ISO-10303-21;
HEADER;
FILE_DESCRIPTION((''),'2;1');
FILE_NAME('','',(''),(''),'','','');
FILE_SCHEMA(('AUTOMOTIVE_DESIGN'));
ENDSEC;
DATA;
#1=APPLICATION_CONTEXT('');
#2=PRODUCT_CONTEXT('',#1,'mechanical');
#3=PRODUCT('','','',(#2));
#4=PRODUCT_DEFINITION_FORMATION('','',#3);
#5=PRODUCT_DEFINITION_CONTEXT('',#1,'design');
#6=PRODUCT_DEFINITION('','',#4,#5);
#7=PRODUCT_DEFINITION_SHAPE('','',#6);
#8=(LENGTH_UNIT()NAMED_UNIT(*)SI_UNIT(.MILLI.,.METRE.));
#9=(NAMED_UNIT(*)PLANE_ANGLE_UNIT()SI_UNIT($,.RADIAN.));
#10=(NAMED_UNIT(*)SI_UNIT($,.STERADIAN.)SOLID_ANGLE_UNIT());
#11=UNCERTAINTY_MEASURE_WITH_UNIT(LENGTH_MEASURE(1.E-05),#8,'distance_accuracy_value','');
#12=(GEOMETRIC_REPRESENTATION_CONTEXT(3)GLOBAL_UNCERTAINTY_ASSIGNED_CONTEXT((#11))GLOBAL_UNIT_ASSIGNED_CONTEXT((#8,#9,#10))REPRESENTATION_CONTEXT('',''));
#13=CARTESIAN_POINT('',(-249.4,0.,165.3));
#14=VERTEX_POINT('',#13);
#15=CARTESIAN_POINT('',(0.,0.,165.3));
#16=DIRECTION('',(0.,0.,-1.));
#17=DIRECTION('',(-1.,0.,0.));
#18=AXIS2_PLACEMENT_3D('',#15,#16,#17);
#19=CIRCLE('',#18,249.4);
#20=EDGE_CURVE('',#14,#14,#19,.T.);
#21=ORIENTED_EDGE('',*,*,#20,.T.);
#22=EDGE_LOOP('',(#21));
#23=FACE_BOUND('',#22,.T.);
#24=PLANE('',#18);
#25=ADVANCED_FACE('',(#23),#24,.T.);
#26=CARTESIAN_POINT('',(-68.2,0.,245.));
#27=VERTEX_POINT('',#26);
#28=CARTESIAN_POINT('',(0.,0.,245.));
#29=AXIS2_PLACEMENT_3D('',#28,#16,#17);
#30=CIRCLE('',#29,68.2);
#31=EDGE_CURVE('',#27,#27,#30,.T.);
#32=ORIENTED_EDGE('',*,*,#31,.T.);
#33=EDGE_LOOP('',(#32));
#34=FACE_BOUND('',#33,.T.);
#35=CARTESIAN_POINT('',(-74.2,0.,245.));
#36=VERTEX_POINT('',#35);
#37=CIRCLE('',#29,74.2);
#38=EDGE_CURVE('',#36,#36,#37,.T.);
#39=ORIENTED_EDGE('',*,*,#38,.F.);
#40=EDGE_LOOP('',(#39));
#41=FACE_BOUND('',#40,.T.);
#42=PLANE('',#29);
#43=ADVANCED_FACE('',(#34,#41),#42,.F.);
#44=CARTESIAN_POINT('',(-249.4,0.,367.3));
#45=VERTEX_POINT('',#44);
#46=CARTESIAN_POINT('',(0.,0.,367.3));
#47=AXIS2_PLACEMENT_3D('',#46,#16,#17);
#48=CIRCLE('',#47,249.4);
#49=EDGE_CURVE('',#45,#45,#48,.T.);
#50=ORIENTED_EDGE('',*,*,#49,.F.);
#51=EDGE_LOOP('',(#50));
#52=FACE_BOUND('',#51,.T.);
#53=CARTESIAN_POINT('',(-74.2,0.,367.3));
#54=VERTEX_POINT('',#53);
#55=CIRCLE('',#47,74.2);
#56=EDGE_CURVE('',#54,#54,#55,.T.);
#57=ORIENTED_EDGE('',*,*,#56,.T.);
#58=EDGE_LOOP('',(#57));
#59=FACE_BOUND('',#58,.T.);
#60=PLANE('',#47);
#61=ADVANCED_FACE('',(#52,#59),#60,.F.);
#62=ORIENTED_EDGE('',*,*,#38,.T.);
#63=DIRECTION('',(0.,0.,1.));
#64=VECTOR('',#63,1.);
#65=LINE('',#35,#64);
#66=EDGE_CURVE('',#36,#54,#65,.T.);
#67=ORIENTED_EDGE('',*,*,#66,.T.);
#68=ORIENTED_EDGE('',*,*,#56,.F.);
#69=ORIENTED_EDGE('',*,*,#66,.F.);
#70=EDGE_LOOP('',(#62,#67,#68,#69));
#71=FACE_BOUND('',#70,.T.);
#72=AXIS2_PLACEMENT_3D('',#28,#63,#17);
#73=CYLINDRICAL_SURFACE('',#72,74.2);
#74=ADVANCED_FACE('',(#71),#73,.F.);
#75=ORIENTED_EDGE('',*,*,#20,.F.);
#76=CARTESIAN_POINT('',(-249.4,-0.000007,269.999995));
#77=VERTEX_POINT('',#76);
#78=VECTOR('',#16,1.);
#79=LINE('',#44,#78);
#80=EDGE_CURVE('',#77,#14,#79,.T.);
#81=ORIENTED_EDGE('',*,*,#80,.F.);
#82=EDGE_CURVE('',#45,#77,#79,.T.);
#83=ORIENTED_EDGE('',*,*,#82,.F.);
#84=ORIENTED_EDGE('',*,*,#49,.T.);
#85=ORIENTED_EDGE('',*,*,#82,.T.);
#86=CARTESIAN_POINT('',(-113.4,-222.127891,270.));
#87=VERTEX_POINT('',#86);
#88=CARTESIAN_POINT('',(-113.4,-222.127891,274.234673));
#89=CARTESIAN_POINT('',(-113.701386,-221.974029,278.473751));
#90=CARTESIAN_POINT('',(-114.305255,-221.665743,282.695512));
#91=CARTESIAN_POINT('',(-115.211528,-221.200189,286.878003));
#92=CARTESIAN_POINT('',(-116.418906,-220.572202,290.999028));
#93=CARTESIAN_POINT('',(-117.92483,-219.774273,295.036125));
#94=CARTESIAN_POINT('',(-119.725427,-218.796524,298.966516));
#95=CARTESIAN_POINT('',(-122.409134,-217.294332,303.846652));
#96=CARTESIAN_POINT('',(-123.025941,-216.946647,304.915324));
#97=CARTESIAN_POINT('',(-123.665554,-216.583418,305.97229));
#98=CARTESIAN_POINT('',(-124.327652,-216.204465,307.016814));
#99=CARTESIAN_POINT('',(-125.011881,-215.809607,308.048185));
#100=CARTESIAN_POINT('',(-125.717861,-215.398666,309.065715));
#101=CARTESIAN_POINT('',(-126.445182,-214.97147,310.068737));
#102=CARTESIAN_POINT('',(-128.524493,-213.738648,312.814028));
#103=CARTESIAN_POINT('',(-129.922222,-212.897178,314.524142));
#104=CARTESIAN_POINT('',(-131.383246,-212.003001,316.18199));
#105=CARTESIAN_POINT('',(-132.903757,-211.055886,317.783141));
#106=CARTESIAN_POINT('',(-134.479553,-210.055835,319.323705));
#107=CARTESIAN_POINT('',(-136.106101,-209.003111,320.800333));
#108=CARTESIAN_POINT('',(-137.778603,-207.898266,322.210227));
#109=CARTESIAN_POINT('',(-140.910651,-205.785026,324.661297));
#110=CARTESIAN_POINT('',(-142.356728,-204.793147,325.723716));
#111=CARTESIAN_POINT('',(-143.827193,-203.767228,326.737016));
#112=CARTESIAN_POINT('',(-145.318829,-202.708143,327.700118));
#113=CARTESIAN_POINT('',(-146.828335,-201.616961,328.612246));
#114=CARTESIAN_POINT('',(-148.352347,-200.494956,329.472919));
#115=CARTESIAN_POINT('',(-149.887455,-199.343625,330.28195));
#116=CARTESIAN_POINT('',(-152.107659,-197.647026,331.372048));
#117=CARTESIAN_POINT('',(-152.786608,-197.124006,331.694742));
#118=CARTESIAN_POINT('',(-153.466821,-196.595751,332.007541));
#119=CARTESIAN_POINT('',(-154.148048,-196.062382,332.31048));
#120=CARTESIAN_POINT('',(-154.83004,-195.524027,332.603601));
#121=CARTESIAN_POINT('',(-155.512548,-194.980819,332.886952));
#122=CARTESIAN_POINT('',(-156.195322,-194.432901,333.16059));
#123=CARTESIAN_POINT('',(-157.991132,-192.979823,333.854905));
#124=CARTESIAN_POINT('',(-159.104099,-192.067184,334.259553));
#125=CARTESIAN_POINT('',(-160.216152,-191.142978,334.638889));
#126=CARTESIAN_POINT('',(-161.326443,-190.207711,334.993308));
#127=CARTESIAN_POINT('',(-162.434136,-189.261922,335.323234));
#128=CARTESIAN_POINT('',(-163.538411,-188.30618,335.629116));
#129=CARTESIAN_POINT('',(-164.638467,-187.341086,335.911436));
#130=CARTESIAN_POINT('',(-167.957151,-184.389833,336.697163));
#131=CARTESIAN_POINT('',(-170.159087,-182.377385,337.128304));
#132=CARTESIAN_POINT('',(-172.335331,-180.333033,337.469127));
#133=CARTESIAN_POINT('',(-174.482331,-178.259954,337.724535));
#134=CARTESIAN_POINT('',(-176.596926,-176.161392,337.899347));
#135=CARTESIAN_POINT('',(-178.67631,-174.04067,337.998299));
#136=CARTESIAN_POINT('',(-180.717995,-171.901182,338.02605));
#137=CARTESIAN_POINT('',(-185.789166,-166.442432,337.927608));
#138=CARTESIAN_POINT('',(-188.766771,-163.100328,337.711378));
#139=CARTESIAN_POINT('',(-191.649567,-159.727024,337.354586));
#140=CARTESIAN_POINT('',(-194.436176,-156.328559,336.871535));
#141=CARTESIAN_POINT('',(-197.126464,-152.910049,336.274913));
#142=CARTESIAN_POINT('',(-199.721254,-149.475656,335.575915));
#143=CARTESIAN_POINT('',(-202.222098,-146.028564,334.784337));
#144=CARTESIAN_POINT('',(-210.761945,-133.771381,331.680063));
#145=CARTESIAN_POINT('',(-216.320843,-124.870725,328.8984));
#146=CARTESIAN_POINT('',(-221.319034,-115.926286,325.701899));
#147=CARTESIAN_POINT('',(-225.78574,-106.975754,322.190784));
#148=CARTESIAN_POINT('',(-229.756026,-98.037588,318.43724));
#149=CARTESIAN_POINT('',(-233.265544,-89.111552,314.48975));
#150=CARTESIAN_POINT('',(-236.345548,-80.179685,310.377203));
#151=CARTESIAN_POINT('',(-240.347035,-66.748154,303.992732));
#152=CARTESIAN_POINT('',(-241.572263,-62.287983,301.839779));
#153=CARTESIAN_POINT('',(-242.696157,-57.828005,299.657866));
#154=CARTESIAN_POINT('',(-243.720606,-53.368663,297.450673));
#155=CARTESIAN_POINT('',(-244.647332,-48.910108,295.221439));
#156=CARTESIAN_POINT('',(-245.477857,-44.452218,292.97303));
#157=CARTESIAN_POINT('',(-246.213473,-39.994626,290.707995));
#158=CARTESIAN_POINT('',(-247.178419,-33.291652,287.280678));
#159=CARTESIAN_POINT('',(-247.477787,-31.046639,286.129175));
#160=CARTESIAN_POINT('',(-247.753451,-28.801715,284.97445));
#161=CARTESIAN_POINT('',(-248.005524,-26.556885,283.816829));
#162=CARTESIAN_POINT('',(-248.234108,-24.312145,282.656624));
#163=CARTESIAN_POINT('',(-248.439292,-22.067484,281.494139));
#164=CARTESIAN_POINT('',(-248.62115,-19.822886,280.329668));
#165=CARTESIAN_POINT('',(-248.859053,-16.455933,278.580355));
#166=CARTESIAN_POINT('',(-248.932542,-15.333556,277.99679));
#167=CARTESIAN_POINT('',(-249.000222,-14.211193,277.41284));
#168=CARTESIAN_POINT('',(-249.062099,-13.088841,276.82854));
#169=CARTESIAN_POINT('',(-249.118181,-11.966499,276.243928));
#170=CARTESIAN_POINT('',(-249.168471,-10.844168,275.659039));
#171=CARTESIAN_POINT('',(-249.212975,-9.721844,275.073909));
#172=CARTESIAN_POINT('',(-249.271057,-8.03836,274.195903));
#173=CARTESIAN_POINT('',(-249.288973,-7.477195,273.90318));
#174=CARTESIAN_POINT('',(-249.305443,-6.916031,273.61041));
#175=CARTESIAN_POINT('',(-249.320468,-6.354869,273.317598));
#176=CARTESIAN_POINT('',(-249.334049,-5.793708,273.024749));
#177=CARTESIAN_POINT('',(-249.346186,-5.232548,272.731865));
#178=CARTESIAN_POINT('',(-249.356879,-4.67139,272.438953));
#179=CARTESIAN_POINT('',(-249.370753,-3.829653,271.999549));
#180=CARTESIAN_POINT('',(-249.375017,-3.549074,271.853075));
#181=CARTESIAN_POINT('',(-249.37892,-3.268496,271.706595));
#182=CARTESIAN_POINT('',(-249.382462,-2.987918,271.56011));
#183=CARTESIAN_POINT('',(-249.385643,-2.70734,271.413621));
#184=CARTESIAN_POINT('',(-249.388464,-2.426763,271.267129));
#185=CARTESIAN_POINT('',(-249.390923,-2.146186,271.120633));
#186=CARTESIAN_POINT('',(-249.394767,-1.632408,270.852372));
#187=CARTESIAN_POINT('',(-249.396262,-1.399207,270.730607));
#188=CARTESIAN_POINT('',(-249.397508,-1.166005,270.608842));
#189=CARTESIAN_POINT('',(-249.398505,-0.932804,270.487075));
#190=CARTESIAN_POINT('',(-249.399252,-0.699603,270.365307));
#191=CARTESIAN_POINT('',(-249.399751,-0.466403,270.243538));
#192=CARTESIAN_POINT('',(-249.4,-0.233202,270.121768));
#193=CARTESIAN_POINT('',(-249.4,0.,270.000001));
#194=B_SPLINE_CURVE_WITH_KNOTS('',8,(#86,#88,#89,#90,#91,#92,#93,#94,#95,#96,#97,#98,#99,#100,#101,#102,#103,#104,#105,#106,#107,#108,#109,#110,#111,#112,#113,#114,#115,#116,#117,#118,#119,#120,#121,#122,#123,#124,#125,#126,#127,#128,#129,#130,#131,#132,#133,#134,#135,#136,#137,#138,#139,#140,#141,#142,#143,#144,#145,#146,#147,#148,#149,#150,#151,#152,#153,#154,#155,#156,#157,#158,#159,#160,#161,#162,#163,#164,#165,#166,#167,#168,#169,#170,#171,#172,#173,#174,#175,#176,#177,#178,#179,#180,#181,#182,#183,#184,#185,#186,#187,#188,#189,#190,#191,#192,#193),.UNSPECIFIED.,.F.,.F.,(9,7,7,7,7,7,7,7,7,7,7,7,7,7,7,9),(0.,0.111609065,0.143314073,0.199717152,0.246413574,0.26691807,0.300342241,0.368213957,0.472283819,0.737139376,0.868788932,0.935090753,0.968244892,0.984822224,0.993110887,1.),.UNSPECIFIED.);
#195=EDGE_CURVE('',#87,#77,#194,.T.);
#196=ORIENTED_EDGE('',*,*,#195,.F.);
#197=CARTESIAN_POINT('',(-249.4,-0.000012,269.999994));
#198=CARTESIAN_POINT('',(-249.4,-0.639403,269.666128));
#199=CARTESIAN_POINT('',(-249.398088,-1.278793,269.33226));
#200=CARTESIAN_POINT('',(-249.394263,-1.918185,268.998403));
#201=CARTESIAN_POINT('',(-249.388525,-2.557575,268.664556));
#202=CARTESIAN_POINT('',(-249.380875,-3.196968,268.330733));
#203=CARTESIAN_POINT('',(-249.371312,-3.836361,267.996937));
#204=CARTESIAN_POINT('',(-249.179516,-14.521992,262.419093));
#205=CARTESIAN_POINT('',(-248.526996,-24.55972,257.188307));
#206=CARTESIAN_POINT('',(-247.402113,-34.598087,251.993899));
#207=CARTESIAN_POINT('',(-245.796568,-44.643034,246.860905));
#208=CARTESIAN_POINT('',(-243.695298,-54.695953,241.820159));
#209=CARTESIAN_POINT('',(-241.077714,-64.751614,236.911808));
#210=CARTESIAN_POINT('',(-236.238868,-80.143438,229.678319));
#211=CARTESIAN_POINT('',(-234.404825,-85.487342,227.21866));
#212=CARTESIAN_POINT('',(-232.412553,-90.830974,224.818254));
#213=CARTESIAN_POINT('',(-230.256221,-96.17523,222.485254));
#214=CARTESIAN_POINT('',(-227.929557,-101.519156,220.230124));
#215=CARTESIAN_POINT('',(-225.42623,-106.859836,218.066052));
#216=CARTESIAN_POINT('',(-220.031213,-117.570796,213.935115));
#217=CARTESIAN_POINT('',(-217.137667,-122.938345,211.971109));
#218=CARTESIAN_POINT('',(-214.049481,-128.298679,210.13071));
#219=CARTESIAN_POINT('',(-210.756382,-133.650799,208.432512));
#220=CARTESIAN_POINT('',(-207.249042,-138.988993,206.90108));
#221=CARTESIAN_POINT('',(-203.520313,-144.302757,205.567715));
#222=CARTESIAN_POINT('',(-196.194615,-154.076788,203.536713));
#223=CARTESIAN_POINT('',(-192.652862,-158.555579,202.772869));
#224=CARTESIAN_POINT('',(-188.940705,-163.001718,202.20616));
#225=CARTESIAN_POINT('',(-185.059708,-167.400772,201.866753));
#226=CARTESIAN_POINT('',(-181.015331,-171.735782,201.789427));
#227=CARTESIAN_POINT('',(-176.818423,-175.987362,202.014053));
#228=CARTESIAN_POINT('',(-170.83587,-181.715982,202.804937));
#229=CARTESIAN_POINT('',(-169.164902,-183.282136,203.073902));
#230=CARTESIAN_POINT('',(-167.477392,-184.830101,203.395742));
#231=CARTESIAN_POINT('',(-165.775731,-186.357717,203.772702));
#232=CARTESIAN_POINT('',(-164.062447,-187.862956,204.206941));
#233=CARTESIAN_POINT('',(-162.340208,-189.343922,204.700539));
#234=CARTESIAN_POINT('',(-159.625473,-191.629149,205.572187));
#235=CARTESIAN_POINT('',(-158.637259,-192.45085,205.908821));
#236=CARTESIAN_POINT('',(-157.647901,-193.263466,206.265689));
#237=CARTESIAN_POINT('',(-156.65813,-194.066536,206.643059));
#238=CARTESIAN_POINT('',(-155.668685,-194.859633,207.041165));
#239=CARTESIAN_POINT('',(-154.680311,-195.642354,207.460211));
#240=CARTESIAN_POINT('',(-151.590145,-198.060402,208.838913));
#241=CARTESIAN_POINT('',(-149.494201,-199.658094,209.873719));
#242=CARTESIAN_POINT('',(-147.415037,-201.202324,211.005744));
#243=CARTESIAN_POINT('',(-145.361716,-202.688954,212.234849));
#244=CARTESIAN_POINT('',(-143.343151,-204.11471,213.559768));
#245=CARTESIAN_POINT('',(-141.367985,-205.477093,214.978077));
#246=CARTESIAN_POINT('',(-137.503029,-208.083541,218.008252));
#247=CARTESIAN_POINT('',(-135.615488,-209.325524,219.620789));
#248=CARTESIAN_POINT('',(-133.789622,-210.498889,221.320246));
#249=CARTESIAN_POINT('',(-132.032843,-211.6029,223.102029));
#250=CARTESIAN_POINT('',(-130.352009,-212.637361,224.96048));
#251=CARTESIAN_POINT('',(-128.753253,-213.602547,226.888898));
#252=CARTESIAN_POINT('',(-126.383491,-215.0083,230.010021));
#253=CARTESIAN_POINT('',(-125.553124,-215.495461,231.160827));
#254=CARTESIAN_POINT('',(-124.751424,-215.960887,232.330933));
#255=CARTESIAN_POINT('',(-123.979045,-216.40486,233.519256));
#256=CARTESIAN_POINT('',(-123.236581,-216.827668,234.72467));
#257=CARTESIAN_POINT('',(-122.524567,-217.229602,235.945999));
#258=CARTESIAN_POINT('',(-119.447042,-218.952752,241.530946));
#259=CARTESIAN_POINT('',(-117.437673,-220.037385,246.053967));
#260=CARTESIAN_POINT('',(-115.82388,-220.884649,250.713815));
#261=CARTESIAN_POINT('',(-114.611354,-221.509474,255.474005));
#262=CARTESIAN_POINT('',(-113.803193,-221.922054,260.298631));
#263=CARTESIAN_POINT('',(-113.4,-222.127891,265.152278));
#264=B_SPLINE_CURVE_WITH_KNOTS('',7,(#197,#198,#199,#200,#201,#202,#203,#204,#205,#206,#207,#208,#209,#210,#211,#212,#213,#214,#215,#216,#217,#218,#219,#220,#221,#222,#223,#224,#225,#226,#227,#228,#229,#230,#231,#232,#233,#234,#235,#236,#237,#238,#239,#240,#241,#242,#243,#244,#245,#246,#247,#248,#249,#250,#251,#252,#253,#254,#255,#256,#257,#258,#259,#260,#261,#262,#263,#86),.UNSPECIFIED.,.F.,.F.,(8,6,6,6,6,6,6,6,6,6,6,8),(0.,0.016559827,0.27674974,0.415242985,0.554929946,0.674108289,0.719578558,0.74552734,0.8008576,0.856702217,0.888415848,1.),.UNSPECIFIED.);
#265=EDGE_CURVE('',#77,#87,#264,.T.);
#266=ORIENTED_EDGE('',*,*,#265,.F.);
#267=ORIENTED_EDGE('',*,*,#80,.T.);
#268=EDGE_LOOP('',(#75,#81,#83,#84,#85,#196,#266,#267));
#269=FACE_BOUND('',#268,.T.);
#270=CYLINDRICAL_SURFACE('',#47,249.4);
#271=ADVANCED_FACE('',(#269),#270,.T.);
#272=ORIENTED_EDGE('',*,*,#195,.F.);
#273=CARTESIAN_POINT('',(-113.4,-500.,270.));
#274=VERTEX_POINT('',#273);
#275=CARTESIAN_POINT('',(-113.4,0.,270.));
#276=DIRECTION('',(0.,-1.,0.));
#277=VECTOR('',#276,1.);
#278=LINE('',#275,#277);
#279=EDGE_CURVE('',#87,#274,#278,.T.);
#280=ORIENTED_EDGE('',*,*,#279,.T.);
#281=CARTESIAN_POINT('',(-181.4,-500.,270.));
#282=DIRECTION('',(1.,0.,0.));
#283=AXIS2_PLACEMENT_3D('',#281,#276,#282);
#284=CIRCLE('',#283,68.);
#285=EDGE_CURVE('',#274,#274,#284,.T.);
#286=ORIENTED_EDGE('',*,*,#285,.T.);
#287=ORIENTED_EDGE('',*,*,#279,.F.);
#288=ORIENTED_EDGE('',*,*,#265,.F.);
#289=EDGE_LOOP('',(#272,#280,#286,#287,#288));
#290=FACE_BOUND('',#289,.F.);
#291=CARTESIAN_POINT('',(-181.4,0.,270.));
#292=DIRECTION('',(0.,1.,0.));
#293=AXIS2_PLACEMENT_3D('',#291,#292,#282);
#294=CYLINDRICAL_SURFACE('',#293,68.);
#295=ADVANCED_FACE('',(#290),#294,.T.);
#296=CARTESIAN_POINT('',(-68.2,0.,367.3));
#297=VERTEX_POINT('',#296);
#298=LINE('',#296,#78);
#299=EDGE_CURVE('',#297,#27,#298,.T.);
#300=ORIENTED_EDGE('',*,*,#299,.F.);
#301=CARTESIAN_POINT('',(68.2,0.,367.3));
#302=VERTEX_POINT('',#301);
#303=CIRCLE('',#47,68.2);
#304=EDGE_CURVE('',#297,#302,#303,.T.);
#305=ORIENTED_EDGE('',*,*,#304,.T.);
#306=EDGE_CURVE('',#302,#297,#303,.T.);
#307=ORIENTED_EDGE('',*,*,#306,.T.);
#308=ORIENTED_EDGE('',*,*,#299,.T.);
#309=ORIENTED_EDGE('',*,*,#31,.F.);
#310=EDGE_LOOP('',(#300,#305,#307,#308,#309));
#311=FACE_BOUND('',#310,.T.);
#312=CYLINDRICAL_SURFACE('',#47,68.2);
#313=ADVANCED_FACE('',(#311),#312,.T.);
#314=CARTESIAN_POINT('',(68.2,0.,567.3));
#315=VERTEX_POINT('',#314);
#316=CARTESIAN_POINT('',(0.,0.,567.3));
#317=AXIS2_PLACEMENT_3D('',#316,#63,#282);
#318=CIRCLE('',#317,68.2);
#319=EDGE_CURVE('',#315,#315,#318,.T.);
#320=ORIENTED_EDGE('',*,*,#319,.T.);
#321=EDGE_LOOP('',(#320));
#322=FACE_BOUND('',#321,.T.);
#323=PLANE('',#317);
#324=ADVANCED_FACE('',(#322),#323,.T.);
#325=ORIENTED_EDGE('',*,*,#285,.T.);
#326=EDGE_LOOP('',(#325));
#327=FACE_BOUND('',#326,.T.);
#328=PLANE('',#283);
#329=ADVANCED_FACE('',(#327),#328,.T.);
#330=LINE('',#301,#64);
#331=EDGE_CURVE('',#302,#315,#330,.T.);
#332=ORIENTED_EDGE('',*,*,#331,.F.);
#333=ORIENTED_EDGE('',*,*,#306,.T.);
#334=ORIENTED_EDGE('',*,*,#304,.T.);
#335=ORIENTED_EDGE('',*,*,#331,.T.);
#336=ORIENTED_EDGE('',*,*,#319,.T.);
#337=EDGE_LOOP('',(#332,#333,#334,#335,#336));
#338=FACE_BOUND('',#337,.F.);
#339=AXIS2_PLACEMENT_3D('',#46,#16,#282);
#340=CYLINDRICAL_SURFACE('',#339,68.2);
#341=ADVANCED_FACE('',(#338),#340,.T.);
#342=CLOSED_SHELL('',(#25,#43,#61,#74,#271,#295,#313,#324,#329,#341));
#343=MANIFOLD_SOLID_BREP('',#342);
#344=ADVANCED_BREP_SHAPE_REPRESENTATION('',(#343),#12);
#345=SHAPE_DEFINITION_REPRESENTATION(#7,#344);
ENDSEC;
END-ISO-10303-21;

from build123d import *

# Parameters (mm, degrees)
F2_R      = 68
F3_DEPTH  = 500
F1_FACE_R = 68.2
F4_DEPTH  = 200


with BuildPart() as f1:
    # F0 (on Front) → F1 (revolve)
    with BuildSketch(Plane.XZ):
        Polygon((-249.4, 165.3), (-114, 165.3), (0, 165.3), (0, 367.3), (-68.2, 367.3), (-68.2, 245), (-74.2, 245), (-74.2, 367.3), (-249.4, 367.3), align=None)
    revolve(axis=Axis((0, 0, 266.3), (0, 0, -1)))

    # F2 (on Front) → F3 (join)
    with BuildSketch(Plane.XZ):
        with Locations((-181.4, 270)):
            Circle(F2_R)
    extrude(amount=F3_DEPTH)

    # F1_face (on face) → F4 (join)
    with BuildSketch(Plane.XY.offset(367.3)):
        Circle(F1_FACE_R)
    extrude(amount=F4_DEPTH)


solid = f1.part
